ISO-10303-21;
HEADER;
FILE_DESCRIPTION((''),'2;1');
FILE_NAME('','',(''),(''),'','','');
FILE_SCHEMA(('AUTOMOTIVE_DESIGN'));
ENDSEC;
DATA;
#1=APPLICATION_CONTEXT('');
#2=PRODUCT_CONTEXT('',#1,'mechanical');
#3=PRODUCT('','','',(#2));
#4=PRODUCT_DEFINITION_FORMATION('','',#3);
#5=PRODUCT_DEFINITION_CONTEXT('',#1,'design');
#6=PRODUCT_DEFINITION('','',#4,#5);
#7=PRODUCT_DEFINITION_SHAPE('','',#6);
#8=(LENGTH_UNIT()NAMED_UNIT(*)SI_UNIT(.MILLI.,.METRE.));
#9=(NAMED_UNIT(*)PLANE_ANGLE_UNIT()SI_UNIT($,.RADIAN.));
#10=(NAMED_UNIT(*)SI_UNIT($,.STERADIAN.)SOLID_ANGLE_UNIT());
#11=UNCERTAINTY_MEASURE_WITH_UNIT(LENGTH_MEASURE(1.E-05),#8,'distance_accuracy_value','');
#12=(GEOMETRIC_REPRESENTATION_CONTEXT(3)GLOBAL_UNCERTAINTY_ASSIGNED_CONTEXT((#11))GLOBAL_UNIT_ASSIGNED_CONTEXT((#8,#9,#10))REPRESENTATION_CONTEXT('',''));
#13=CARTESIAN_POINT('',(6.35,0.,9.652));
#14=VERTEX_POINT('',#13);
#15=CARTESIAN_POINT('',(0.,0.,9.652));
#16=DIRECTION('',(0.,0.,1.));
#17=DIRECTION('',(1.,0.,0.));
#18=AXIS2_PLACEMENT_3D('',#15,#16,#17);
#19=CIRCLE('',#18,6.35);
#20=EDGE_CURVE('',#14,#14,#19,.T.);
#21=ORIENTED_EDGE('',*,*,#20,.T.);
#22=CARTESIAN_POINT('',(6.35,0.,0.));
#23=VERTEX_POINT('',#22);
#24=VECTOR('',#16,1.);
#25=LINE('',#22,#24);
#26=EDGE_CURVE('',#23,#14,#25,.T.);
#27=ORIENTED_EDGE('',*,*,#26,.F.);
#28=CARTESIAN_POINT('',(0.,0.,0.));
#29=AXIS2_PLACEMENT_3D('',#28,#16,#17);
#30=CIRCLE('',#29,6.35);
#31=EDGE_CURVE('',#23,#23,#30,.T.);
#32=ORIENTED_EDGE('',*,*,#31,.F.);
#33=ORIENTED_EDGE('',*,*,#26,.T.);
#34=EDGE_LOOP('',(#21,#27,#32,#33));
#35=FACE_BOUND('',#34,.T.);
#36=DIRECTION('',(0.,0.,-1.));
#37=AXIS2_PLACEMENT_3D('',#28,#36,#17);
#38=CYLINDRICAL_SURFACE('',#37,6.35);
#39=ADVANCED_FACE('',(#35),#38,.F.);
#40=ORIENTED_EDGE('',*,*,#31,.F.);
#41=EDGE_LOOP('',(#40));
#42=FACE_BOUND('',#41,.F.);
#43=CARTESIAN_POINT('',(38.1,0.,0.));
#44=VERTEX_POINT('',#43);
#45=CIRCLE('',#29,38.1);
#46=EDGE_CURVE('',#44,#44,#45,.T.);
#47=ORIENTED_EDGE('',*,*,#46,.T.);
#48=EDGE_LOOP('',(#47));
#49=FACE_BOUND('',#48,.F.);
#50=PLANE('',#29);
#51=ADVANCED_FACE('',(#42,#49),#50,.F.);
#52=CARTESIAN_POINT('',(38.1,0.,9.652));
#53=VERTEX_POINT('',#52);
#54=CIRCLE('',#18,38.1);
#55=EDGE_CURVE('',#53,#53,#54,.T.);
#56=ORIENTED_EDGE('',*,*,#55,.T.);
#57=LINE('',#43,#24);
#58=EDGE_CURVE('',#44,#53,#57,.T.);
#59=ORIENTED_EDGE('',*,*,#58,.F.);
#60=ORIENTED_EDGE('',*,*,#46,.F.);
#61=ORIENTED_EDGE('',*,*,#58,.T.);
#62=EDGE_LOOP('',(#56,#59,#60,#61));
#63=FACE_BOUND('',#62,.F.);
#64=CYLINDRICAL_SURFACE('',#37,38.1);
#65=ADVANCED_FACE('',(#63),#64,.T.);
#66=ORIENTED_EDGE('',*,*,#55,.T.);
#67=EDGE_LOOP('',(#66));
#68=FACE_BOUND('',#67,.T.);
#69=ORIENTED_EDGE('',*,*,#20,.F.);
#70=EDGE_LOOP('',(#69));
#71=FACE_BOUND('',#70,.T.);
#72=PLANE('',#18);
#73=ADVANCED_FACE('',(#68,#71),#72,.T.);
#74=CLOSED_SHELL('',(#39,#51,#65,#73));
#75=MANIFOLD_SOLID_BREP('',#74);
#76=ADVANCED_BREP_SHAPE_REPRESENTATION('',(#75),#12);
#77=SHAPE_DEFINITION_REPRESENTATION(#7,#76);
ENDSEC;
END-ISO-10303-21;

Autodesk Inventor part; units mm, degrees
sketch "Sketch1" plane through (0, 0, 0) normal (0, 0, 1) x (1, 0, 0)
  circle A0 centre (0, 0) radius 38.1
  circle A1 centre (0, 0) radius 6.35
  dimension "d0" = 76.2
  dimension "d1" = 12.7
extrude "Extrusion1" add sketch "Sketch1" along normal blind 9.652
properties part number "FRONT_WHEEL"
